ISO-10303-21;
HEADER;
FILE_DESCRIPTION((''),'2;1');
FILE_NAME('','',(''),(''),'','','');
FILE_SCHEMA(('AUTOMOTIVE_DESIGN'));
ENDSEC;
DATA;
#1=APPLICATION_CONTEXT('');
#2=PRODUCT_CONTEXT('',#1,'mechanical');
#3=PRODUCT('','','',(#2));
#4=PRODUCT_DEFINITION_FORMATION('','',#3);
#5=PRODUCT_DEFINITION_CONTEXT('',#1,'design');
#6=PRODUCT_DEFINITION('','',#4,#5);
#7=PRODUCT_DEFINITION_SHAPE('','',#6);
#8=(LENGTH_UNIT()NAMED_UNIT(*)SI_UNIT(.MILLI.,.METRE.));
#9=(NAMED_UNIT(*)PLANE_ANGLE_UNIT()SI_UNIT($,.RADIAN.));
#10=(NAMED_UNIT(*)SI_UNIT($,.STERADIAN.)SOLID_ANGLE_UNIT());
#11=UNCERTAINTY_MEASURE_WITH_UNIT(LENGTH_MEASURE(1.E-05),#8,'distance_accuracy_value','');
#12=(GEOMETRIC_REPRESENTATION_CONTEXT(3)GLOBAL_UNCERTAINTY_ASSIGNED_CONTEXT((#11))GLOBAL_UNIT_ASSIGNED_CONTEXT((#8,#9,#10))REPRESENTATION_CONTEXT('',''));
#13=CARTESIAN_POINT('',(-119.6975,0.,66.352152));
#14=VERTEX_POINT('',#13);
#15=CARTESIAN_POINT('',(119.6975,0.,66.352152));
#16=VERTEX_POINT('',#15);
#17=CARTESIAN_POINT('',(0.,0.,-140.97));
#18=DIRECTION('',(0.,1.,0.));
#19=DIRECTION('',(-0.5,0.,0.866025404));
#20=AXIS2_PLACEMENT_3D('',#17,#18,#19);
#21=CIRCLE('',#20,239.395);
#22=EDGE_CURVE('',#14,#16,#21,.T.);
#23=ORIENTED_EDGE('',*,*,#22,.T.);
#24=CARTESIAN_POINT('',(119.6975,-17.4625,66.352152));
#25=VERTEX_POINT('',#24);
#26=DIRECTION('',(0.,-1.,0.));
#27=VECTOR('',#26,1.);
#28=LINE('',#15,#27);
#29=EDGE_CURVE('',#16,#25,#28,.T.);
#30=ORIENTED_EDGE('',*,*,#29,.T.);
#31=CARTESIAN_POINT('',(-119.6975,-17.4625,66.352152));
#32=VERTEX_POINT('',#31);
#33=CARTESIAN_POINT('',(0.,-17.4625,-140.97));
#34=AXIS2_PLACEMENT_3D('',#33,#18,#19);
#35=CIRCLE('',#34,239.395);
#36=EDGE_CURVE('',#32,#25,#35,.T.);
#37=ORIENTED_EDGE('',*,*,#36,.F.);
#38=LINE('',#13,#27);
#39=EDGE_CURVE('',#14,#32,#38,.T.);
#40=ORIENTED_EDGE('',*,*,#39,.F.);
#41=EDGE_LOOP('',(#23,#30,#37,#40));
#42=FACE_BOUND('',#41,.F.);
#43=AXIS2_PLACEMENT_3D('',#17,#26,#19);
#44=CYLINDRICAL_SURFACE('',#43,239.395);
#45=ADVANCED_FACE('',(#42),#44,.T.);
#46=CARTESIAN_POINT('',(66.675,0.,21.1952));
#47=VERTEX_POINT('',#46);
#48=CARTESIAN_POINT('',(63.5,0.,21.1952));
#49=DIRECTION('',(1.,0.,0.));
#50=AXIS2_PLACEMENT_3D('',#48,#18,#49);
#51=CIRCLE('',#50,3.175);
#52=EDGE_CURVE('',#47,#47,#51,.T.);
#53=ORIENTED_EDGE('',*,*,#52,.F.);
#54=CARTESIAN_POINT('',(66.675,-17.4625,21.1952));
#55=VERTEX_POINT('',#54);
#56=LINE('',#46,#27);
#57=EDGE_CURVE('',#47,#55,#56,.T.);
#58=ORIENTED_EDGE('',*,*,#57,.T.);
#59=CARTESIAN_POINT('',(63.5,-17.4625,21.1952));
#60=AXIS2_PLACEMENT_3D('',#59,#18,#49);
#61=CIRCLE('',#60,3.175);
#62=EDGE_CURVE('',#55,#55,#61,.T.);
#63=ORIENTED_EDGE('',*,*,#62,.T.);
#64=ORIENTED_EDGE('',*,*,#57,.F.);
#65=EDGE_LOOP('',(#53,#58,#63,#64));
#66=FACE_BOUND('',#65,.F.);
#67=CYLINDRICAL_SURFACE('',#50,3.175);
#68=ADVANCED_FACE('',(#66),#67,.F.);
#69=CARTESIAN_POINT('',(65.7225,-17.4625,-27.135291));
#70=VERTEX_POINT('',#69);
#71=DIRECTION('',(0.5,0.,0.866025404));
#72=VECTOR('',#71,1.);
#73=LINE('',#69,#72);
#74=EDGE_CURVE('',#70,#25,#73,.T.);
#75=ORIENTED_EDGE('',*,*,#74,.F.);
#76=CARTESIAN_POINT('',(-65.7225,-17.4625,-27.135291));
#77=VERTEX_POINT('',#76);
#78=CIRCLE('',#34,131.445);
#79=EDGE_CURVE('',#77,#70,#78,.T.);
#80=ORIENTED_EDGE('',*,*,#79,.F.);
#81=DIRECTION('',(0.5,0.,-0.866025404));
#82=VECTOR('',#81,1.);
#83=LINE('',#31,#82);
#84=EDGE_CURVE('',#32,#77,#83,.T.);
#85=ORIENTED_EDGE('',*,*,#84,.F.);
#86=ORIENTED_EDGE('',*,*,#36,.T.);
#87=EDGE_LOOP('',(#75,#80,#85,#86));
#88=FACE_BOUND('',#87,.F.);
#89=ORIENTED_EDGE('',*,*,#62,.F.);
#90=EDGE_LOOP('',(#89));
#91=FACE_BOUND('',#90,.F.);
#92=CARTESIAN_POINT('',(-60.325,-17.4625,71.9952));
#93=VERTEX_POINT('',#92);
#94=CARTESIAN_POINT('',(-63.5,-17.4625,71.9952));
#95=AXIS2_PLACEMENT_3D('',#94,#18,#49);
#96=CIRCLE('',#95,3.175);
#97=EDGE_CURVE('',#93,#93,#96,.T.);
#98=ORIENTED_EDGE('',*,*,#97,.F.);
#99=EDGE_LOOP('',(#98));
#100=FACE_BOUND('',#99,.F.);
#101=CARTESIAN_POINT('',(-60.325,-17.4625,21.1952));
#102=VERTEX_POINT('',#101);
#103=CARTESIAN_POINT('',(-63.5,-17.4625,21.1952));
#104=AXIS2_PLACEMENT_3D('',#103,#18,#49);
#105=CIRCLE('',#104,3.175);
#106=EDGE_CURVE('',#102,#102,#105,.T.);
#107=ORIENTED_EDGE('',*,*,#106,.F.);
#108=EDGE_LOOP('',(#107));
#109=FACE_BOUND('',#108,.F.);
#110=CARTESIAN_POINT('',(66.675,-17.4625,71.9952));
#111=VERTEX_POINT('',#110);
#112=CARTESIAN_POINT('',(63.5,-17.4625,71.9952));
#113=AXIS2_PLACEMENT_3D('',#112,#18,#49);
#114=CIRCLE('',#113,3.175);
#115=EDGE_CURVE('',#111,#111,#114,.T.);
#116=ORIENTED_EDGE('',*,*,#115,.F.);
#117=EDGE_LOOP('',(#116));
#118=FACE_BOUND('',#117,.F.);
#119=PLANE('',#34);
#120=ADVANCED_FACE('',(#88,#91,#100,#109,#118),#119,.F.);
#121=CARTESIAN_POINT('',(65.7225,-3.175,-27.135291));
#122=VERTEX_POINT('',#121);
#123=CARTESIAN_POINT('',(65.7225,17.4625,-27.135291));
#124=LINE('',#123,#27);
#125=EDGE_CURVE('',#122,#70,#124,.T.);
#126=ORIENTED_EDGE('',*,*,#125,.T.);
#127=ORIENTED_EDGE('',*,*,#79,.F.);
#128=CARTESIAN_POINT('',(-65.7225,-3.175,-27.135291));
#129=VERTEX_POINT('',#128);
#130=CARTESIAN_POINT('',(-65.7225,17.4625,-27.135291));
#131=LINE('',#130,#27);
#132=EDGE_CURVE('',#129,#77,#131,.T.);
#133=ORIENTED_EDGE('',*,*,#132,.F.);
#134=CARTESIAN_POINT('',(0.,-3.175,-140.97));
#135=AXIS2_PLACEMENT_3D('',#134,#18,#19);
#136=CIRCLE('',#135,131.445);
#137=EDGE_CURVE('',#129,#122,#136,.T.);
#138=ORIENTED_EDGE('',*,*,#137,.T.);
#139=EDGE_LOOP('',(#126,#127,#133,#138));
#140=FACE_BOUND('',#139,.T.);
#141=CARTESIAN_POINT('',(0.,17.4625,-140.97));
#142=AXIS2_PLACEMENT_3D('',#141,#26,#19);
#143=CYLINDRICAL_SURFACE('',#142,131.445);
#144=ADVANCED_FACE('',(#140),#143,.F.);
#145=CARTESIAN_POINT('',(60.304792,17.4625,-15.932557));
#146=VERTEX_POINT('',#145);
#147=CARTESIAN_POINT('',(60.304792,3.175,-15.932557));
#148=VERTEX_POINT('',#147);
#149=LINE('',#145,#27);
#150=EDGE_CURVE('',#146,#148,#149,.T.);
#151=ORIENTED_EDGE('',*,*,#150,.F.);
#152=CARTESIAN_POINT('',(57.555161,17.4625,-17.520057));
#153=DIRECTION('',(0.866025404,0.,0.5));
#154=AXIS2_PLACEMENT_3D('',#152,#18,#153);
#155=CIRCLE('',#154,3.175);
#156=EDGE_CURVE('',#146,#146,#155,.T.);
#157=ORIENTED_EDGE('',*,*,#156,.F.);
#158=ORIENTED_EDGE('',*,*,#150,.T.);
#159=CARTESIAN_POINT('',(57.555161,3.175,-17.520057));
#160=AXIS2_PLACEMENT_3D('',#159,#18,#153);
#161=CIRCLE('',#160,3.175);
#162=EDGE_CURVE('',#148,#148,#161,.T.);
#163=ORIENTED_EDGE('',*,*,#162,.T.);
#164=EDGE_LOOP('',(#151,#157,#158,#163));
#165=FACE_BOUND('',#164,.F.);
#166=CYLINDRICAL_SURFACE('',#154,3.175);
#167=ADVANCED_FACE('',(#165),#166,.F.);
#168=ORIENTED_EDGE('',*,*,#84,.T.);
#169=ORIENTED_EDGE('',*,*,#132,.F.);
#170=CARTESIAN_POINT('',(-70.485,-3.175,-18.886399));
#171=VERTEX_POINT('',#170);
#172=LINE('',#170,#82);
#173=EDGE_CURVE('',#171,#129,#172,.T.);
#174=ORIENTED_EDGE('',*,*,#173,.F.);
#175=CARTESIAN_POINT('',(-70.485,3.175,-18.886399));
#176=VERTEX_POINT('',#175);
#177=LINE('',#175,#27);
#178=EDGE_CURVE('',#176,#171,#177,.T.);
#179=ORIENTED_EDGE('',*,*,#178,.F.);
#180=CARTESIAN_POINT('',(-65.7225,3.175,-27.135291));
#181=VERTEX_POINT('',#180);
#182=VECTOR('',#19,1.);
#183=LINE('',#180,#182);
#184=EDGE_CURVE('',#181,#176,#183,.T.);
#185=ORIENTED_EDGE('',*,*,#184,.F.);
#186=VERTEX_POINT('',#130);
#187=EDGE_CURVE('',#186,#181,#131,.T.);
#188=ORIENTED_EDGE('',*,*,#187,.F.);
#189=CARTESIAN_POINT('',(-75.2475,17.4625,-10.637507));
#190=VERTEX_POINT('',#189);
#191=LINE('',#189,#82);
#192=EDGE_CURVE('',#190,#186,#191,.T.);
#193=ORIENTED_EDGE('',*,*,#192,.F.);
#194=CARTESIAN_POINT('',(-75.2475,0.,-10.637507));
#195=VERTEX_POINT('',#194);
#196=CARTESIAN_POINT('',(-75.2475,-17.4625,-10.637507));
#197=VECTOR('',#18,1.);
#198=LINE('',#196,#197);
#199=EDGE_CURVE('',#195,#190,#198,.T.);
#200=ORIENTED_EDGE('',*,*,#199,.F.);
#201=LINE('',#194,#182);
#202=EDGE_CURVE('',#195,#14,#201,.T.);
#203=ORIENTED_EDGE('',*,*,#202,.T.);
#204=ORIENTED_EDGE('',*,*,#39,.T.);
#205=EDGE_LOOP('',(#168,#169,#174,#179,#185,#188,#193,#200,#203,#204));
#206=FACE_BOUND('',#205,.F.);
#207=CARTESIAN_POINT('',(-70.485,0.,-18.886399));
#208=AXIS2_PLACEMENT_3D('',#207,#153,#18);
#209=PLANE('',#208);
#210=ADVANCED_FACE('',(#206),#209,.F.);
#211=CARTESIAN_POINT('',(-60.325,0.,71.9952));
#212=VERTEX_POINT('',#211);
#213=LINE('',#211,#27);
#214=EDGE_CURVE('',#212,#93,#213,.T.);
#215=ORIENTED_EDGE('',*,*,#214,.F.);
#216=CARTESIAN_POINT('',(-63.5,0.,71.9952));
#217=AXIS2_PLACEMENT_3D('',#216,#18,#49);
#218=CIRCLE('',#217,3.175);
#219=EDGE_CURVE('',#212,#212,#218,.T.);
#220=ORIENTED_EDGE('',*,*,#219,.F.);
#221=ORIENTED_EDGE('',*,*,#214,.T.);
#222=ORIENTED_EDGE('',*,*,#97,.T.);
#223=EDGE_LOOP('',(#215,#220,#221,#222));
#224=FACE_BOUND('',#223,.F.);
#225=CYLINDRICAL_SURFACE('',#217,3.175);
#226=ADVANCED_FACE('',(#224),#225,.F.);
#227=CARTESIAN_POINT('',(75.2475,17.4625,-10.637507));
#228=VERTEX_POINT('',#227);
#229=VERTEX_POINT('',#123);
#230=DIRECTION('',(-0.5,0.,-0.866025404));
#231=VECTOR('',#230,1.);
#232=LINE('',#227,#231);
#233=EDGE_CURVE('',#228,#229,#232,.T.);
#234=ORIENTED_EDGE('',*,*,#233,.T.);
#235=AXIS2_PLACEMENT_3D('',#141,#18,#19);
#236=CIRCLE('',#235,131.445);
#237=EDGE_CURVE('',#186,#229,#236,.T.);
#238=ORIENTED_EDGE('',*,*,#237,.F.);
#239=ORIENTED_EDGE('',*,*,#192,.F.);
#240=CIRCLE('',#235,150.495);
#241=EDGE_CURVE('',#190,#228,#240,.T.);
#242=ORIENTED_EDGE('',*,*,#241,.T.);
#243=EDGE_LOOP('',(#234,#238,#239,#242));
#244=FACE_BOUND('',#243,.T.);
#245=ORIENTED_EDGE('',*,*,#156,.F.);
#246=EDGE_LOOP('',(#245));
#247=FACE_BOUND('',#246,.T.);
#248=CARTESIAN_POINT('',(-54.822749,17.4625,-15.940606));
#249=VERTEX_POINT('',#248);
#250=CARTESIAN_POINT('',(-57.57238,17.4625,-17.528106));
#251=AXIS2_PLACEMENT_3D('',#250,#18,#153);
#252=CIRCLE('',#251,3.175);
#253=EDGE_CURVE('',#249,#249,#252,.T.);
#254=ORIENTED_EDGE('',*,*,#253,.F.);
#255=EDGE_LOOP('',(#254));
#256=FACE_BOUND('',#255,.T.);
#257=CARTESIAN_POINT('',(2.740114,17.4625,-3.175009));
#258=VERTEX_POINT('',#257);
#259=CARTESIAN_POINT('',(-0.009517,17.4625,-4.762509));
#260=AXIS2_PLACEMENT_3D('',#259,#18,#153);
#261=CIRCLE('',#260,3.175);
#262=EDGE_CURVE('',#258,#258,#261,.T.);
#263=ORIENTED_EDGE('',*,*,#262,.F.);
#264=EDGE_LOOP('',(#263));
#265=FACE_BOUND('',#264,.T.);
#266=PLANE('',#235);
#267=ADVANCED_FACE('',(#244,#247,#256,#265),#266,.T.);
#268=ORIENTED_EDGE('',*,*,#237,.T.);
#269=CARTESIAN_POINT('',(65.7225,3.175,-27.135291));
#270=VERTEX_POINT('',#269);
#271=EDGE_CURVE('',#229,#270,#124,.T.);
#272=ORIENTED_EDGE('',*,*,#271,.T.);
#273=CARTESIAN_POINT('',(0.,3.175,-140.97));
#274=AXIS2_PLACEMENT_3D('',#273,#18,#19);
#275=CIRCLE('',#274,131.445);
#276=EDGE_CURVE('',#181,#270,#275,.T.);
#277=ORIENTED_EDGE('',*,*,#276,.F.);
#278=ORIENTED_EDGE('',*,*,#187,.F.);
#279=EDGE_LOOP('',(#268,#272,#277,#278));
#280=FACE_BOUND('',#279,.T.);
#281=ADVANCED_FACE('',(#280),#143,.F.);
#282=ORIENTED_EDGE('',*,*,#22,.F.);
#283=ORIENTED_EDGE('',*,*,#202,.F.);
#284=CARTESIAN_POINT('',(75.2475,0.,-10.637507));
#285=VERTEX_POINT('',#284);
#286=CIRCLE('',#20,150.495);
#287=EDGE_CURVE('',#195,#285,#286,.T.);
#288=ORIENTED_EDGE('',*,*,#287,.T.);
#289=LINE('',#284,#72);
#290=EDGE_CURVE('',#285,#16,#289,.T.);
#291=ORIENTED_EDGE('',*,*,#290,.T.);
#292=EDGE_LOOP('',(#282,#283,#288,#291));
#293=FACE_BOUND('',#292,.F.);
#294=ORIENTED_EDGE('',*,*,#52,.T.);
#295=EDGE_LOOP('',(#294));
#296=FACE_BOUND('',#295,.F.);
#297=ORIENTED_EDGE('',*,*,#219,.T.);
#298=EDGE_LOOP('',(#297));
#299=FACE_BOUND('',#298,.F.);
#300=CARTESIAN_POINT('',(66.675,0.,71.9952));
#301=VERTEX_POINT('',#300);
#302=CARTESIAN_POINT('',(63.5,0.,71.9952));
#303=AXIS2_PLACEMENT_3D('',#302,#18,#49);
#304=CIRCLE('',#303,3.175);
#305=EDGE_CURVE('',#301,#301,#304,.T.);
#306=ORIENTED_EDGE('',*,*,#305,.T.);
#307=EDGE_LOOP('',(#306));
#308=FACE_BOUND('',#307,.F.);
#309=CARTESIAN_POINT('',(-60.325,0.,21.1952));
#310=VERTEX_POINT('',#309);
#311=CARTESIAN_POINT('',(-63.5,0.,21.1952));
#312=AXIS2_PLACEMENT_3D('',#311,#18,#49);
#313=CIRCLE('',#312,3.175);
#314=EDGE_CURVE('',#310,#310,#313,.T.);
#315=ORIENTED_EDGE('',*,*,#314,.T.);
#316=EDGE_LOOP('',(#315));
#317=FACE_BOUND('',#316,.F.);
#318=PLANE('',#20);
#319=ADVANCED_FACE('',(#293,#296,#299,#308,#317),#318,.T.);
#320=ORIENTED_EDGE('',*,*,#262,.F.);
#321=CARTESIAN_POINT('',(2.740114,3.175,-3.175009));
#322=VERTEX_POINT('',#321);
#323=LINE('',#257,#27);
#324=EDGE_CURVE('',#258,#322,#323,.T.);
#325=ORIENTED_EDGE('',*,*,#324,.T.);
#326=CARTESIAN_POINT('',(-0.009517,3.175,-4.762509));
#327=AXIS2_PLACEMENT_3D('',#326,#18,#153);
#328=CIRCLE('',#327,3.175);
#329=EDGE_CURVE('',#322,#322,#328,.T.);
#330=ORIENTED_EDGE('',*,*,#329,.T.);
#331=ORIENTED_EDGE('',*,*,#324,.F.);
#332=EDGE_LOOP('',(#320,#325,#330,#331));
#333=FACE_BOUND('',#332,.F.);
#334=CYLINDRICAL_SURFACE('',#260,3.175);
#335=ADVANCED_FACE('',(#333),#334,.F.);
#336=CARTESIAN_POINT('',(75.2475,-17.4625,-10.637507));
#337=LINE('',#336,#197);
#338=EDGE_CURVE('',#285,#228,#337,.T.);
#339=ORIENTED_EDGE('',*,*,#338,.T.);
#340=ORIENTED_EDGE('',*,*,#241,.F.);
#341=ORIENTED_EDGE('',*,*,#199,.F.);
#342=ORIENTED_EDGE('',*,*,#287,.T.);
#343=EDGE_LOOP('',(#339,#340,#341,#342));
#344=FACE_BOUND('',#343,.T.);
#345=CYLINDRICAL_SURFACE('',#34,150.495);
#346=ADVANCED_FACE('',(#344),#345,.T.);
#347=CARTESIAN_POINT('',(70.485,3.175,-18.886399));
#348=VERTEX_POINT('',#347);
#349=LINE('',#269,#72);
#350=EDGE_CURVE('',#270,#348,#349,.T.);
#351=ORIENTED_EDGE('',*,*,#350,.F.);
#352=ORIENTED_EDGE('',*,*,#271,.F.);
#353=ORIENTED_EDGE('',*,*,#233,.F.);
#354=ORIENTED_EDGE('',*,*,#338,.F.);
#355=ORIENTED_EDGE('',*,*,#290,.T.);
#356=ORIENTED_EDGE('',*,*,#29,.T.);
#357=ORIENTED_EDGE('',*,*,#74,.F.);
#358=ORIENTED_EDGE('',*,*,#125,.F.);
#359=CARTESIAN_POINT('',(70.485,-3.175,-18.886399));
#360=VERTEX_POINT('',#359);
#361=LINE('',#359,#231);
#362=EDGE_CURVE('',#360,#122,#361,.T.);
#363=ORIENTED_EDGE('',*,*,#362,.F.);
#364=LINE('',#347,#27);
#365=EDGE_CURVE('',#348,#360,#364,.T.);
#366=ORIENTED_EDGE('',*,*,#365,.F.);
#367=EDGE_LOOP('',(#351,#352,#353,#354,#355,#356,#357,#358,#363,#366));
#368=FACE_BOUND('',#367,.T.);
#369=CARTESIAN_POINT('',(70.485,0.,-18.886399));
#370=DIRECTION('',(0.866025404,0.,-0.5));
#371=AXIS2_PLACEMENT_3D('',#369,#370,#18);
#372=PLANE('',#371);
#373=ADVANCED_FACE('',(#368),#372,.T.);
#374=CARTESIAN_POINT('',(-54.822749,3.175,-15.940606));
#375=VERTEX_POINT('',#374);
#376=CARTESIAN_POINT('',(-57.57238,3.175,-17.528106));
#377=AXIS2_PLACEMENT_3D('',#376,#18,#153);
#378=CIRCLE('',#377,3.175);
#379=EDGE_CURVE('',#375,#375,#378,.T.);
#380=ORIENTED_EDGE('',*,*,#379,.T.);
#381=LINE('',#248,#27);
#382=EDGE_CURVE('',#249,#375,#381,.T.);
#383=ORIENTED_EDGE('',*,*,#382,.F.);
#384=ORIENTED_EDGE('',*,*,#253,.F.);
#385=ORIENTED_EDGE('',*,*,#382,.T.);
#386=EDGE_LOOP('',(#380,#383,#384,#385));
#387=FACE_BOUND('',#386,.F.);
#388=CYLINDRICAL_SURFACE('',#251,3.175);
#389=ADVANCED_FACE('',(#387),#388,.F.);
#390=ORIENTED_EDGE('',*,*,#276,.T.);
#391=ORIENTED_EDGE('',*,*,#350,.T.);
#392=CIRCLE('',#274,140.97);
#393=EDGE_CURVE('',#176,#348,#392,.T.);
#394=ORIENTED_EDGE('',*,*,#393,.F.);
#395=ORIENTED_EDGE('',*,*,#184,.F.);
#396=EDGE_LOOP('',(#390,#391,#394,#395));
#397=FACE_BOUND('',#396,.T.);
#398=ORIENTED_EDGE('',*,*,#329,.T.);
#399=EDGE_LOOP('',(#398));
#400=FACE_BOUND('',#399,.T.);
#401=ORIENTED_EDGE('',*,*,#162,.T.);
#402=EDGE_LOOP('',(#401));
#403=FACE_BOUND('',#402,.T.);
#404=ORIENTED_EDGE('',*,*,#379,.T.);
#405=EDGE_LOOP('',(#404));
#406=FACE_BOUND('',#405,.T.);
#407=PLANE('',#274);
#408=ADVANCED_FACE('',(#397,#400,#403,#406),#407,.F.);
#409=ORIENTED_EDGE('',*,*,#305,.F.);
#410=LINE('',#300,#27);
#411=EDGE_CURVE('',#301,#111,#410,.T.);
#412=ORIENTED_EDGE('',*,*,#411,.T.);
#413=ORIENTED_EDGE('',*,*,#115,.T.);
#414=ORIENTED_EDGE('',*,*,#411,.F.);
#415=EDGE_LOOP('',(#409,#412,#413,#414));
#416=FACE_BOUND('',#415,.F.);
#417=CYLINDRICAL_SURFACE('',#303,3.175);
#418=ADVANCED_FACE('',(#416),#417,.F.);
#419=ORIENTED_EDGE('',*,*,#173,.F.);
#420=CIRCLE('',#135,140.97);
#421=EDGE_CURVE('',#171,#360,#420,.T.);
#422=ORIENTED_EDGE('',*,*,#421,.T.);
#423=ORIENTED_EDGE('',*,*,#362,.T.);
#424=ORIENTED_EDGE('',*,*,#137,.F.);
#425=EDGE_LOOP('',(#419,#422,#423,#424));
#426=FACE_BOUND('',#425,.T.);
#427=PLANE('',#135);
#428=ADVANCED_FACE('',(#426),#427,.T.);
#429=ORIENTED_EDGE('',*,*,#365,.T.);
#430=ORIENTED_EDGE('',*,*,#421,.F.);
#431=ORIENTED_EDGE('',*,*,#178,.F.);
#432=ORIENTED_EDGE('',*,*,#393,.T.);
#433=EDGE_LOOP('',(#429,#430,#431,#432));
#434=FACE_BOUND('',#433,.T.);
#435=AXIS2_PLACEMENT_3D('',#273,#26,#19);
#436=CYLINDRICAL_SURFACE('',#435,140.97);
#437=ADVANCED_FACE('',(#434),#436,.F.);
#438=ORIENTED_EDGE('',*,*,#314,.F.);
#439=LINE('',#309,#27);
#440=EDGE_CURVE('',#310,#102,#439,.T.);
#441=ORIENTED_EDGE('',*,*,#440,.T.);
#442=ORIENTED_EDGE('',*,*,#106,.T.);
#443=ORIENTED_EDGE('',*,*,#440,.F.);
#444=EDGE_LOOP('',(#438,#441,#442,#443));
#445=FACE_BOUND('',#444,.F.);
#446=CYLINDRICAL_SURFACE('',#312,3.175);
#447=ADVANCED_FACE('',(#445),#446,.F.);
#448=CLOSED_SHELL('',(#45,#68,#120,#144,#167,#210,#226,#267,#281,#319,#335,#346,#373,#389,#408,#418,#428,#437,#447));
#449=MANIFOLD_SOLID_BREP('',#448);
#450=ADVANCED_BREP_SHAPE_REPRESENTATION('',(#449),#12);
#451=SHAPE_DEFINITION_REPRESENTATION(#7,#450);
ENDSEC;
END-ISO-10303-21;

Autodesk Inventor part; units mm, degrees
ref_plane "YZ Plane" through (0, 0, 0) normal (1, 0, 0) x (0, 1, 0)
ref_plane "XZ Plane" through (0, 0, 0) normal (0, 1, 0) x (-1, 0, 0)
ref_plane "XY Plane" through (0, 0, 0) normal (0, 0, 1) x (1, 0, 0)
sketch "Sketch1" plane through (0, 0, 0) normal (1, 0, 0) x (0, 1, 0)
  line L0 (-17.4625, 9.525) -> (17.4625, 9.525)
  line L1 (17.4625, 9.525) -> (17.4625, -9.525)
  line L2 (17.4625, -9.525) -> (-17.4625, -9.525)
  line L3 (-17.4625, -9.525) -> (-17.4625, 9.525)
  line L4 (-17.4625, 9.525) -> (17.4625, -9.525) construction
  line L5 (17.4625, 9.525) -> (-17.4625, -9.525) construction
  line L6 (3.175, -9.525) -> (3.175, 0)
  line L7 (3.175, 0) -> (-3.175, 0)
  line L8 (-3.175, 0) -> (-3.175, -9.525)
  line L9 (-17.4625, 9.525) -> (0, 9.525)
  line L10 (0, 9.525) -> (0, 98.425)
  line L11 (0, 98.425) -> (-17.4625, 98.425)
  line L12 (-17.4625, 98.425) -> (-17.4625, 9.525)
  line L13 (0, -9.525) -> (-0.0003, -140.97) construction
  line L14 (-0.0003, -140.97) -> (69.3079, -140.97)
  point P0 (0, 0)
  point P1 (0, 0)
  dimension "d0" = 6.35
  dimension "d1" = 9.525
  dimension "d2" = 9.525
  dimension "d3" = 19.05
  dimension "d4" = 34.925
  dimension "d5" = 0
  dimension "d6" = 88.9
  dimension "d7" = 131.445
revolve "Revolution1" add sketch "Sketch1" angle 60 mid plane about axis through (0, -0.0003, -140.97) along (0, 1, 0) contours L12 L11 L10 L0 | L0 L1 L2 L6 L7 L8 L3
sketch "Sketch2" plane through (-75.2475, 17.4625, -10.6375) normal (0, 1, 0) x (0.866, 0, 0.5)
  arc A0 (70.485, 28.4114) -> (122.0836, 80.01) centre (0, 150.495) ccw projected
  arc A1 (0, 19.05) -> (113.8347, 84.7725) centre (0, 150.495) ccw projected
  line L0 (0, 19.05) -> (0, 0) construction
  line L1 (113.8347, 84.7725) -> (122.0836, 80.01) construction
  arc A2 (89.2238, 47.5795) -> (117.9592, 82.3912) centre (0, 150.495) ccw construction
  circle A3 centre (11.8618, 14.805) radius 3.175
  circle A4 centre (68.0955, 32.5311) radius 3.175
  circle A5 centre (111.5692, 72.3618) radius 3.175
  point P0 (0, 0)
  dimension "d22" = 140.97
  dimension "d23" = 136.2075
  dimension "d24" = 6.35
  dimension "d25" = 11.8618
  dimension "d34" = 50
extrude "Extrusion2" cut sketch "Sketch2" against normal up to surface (14.2875 mm away)
sketch "Sketch3" plane through (0, 0, -140.97) normal (0, 1, 0) x (1, 0, 0)
  line L0 (-63.5, -212.9652) -> (63.5, -212.9652) construction
  line L1 (63.5, -212.9652) -> (63.5, -162.1652) construction
  line L2 (63.5, -162.1652) -> (-63.5, -162.1652) construction
  line L3 (-63.5, -162.1652) -> (-63.5, -212.9652) construction
  line L4 (-63.5, -212.9652) -> (63.5, -162.1652) construction
  line L5 (63.5, -212.9652) -> (-63.5, -162.1652) construction
  line L6 (-75.2475, -130.3325) -> (-119.6975, -207.3222) projected
  line L7 (75.2475, -130.3325) -> (119.6975, -207.3222) projected
  arc A0 (-97.4725, -168.8273) -> (97.4725, -168.8273) centre (0, 75.3248) ccw construction
  circle A1 centre (63.5, -162.1652) radius 3.175
  circle A2 centre (-63.5, -162.1652) radius 3.175
  circle A3 centre (63.5, -212.9652) radius 3.175
  circle A4 centre (-63.5, -212.9652) radius 3.175
  point P0 (0, -140.97)
  point P1 (0, -187.5652)
  dimension "d37" = 50.8
  dimension "d38" = 127
  dimension "d39" = 262.89
  dimension "d41" = 6.35
  dimension "d44" = 127
  dimension "d47" = 50.8
extrude "Extrusion3" cut sketch "Sketch3" against normal through all
equation "\"d2\" = d1"
equation "\"d3\" = 2 * d1"
properties part number "shelf_attachment" material "Aluminum 6061"
